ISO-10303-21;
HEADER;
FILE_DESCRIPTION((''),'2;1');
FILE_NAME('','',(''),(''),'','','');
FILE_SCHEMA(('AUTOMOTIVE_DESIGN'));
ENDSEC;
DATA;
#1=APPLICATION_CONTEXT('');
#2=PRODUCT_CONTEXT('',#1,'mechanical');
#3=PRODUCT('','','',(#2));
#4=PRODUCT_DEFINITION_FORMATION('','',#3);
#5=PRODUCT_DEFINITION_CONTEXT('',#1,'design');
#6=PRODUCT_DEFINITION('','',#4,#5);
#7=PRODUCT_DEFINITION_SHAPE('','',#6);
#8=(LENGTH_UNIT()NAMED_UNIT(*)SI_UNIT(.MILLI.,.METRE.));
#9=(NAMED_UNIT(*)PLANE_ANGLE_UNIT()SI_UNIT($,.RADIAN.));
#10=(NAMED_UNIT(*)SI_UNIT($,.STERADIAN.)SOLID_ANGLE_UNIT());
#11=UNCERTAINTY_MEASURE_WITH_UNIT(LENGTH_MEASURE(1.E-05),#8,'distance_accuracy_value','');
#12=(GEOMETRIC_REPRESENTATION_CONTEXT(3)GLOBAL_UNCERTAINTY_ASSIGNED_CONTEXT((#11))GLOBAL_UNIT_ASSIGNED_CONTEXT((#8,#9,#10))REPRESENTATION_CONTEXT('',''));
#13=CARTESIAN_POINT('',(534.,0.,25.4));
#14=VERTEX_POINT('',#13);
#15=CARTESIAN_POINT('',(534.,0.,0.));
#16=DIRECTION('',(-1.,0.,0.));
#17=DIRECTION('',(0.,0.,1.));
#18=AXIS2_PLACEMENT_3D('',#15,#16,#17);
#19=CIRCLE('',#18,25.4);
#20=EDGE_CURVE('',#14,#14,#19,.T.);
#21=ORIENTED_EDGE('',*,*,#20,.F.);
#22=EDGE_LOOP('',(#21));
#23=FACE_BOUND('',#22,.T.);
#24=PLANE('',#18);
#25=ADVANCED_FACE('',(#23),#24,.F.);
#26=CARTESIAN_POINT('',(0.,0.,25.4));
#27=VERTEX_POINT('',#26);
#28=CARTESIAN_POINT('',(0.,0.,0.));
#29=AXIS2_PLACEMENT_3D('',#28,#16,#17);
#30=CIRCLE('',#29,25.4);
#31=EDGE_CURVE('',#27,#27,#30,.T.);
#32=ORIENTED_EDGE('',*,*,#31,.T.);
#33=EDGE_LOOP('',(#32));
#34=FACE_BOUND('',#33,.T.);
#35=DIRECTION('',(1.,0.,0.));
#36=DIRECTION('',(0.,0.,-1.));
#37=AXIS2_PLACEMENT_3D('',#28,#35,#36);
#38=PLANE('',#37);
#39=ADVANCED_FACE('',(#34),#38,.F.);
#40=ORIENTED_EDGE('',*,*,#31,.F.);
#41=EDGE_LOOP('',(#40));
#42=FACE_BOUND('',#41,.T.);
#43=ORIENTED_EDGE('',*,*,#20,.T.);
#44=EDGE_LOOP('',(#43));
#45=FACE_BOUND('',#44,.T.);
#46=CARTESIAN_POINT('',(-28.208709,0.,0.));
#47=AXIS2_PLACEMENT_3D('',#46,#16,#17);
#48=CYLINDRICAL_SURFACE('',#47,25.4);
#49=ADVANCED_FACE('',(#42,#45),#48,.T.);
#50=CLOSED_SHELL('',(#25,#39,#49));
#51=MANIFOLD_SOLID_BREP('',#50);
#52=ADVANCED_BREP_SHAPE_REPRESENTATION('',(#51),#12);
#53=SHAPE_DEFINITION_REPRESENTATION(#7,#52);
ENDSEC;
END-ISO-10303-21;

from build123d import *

# Parameters (mm, degrees)
SKETCH1_W = 534
SKETCH1_H = 25.4


with BuildPart() as part:
    # Sketch1 → Revolve1 (revolve)
    with BuildSketch(Plane.XY, mode=Mode.PRIVATE) as revolve1_sk:
        with Locations((267, 12.7)):
            Rectangle(SKETCH1_W, SKETCH1_H)
    revolve(revolve1_sk.sketch.rotate(Axis((-28.208709425, 0, 0), (1, 0, 0)), 90), axis=Axis((-28.208709425, 0, 0), (1, 0, 0)))


solid = part.part
